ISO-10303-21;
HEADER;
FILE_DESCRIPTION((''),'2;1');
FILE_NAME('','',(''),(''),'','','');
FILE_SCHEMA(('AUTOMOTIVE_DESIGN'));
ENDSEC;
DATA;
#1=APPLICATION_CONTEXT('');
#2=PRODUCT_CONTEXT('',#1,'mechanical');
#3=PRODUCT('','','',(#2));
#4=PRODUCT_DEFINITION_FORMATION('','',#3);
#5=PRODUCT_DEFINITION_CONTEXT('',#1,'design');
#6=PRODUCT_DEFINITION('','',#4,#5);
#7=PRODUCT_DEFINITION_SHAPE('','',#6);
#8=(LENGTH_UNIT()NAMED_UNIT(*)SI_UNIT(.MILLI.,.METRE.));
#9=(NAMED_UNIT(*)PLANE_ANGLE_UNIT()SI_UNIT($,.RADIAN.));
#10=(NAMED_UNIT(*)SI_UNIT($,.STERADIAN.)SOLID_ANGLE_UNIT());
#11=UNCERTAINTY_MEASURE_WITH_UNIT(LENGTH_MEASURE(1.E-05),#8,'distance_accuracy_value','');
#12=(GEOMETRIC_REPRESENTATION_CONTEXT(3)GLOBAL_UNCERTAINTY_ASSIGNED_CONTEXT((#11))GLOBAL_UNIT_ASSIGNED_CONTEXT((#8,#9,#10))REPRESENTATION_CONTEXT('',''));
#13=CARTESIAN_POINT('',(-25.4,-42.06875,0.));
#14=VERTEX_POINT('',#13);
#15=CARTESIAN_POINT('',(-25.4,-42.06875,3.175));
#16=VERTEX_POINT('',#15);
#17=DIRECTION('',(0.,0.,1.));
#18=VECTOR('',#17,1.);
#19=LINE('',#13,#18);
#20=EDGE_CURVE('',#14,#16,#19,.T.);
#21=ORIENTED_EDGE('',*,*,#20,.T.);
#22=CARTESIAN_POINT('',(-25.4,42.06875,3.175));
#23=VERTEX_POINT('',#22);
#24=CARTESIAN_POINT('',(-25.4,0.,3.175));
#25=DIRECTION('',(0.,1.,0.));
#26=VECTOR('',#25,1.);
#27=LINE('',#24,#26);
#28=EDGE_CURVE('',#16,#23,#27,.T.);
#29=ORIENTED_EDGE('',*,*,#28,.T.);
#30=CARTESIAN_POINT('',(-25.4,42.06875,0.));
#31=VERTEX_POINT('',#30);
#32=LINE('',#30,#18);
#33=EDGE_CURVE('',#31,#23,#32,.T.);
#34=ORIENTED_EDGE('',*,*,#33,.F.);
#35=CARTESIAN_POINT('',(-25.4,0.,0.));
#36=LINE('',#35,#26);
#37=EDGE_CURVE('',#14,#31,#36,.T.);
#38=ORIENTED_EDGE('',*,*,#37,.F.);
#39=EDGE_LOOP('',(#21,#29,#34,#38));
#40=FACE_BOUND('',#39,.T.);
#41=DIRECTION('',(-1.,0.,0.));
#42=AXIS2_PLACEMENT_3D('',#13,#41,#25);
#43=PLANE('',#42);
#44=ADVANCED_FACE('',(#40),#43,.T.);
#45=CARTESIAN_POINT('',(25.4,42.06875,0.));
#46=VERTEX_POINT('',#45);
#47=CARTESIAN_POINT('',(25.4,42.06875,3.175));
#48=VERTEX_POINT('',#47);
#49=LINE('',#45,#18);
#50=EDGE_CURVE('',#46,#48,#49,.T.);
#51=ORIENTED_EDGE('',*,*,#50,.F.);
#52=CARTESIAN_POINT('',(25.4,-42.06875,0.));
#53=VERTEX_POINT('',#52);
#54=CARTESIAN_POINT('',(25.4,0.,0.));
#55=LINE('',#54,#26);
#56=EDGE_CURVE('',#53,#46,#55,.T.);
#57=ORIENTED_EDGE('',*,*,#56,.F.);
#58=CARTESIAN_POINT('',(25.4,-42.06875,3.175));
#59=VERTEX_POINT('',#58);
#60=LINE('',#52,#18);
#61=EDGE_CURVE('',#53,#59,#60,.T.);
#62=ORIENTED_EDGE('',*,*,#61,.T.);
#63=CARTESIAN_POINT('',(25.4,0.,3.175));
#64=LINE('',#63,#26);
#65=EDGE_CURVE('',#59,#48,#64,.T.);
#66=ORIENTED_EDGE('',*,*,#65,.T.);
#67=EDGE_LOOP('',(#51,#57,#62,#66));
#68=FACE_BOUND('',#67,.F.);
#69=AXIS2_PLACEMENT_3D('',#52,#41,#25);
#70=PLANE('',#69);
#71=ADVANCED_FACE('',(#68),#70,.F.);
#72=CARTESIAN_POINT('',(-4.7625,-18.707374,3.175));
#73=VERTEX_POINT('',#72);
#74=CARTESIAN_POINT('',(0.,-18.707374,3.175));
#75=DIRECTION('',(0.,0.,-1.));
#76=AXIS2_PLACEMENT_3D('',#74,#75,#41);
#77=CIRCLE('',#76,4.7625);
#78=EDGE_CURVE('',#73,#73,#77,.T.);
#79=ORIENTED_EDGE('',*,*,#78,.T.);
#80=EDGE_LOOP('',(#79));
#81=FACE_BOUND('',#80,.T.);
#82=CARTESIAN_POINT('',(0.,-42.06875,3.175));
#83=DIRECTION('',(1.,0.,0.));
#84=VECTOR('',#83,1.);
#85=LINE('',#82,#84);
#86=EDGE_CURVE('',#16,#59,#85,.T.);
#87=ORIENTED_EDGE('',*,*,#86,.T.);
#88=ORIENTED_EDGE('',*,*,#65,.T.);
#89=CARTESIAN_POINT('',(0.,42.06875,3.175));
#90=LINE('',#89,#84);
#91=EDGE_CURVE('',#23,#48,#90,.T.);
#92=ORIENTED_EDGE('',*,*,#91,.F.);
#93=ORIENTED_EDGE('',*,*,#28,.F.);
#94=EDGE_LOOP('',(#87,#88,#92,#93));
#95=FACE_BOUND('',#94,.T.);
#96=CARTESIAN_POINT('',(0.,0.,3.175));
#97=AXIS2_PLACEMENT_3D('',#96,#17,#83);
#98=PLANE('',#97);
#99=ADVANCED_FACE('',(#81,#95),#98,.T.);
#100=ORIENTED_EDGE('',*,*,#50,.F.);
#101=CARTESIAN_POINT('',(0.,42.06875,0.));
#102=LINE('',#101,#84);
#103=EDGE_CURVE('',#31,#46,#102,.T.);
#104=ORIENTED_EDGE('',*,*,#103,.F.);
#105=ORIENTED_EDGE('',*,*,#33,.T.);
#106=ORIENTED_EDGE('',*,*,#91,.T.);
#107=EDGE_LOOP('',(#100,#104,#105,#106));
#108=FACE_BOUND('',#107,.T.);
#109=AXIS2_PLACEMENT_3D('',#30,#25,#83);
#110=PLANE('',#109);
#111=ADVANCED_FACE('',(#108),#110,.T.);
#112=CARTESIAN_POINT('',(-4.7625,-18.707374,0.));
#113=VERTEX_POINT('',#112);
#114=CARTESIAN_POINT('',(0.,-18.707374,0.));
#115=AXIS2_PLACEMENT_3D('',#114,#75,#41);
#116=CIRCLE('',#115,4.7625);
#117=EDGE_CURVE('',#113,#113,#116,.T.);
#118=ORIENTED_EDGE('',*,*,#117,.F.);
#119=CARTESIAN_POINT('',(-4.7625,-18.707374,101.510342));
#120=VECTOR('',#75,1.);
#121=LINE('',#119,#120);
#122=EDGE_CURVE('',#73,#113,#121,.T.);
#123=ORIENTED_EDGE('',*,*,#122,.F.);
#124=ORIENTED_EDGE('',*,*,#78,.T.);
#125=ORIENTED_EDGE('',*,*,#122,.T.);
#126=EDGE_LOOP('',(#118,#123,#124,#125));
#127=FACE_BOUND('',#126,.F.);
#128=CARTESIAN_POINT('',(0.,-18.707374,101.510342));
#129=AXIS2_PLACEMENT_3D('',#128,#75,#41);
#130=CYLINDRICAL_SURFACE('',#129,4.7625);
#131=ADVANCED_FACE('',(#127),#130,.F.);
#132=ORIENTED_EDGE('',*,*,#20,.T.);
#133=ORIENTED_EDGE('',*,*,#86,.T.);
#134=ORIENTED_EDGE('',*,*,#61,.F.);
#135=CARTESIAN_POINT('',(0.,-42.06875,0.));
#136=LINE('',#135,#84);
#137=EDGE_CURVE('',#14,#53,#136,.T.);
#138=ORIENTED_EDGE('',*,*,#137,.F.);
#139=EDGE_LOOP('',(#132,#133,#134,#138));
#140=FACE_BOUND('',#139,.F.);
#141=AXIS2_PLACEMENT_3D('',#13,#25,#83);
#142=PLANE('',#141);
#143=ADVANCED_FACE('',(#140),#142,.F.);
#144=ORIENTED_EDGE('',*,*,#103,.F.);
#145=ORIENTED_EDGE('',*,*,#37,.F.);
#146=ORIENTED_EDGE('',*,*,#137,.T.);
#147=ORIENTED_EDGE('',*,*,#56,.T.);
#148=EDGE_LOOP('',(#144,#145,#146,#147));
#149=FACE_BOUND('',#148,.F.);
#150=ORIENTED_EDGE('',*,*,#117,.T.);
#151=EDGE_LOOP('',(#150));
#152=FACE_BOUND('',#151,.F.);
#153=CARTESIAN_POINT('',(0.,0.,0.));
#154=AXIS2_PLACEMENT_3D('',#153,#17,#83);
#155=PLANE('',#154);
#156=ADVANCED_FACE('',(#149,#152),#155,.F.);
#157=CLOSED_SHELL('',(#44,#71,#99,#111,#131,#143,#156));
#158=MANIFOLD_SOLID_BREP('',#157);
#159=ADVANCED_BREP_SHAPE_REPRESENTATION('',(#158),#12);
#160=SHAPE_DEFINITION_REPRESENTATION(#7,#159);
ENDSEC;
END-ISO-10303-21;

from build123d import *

# Parameters (mm, degrees)
F0_W     = 50.8
F0_H     = 84.1375
F1_DEPTH = 3.175
F3_D     = 9.525


with BuildPart() as f1:
    # F0 (on Top) → F1 (new body)
    with BuildSketch(Plane.XY):
        Rectangle(F0_W, F0_H)
    extrude(amount=F1_DEPTH)

    # F3 (through all)
    with Locations(Plane.XY.offset(3.175)):
        with Locations((0, -18.707374)):
            Hole(F3_D / 2)


solid = f1.part
